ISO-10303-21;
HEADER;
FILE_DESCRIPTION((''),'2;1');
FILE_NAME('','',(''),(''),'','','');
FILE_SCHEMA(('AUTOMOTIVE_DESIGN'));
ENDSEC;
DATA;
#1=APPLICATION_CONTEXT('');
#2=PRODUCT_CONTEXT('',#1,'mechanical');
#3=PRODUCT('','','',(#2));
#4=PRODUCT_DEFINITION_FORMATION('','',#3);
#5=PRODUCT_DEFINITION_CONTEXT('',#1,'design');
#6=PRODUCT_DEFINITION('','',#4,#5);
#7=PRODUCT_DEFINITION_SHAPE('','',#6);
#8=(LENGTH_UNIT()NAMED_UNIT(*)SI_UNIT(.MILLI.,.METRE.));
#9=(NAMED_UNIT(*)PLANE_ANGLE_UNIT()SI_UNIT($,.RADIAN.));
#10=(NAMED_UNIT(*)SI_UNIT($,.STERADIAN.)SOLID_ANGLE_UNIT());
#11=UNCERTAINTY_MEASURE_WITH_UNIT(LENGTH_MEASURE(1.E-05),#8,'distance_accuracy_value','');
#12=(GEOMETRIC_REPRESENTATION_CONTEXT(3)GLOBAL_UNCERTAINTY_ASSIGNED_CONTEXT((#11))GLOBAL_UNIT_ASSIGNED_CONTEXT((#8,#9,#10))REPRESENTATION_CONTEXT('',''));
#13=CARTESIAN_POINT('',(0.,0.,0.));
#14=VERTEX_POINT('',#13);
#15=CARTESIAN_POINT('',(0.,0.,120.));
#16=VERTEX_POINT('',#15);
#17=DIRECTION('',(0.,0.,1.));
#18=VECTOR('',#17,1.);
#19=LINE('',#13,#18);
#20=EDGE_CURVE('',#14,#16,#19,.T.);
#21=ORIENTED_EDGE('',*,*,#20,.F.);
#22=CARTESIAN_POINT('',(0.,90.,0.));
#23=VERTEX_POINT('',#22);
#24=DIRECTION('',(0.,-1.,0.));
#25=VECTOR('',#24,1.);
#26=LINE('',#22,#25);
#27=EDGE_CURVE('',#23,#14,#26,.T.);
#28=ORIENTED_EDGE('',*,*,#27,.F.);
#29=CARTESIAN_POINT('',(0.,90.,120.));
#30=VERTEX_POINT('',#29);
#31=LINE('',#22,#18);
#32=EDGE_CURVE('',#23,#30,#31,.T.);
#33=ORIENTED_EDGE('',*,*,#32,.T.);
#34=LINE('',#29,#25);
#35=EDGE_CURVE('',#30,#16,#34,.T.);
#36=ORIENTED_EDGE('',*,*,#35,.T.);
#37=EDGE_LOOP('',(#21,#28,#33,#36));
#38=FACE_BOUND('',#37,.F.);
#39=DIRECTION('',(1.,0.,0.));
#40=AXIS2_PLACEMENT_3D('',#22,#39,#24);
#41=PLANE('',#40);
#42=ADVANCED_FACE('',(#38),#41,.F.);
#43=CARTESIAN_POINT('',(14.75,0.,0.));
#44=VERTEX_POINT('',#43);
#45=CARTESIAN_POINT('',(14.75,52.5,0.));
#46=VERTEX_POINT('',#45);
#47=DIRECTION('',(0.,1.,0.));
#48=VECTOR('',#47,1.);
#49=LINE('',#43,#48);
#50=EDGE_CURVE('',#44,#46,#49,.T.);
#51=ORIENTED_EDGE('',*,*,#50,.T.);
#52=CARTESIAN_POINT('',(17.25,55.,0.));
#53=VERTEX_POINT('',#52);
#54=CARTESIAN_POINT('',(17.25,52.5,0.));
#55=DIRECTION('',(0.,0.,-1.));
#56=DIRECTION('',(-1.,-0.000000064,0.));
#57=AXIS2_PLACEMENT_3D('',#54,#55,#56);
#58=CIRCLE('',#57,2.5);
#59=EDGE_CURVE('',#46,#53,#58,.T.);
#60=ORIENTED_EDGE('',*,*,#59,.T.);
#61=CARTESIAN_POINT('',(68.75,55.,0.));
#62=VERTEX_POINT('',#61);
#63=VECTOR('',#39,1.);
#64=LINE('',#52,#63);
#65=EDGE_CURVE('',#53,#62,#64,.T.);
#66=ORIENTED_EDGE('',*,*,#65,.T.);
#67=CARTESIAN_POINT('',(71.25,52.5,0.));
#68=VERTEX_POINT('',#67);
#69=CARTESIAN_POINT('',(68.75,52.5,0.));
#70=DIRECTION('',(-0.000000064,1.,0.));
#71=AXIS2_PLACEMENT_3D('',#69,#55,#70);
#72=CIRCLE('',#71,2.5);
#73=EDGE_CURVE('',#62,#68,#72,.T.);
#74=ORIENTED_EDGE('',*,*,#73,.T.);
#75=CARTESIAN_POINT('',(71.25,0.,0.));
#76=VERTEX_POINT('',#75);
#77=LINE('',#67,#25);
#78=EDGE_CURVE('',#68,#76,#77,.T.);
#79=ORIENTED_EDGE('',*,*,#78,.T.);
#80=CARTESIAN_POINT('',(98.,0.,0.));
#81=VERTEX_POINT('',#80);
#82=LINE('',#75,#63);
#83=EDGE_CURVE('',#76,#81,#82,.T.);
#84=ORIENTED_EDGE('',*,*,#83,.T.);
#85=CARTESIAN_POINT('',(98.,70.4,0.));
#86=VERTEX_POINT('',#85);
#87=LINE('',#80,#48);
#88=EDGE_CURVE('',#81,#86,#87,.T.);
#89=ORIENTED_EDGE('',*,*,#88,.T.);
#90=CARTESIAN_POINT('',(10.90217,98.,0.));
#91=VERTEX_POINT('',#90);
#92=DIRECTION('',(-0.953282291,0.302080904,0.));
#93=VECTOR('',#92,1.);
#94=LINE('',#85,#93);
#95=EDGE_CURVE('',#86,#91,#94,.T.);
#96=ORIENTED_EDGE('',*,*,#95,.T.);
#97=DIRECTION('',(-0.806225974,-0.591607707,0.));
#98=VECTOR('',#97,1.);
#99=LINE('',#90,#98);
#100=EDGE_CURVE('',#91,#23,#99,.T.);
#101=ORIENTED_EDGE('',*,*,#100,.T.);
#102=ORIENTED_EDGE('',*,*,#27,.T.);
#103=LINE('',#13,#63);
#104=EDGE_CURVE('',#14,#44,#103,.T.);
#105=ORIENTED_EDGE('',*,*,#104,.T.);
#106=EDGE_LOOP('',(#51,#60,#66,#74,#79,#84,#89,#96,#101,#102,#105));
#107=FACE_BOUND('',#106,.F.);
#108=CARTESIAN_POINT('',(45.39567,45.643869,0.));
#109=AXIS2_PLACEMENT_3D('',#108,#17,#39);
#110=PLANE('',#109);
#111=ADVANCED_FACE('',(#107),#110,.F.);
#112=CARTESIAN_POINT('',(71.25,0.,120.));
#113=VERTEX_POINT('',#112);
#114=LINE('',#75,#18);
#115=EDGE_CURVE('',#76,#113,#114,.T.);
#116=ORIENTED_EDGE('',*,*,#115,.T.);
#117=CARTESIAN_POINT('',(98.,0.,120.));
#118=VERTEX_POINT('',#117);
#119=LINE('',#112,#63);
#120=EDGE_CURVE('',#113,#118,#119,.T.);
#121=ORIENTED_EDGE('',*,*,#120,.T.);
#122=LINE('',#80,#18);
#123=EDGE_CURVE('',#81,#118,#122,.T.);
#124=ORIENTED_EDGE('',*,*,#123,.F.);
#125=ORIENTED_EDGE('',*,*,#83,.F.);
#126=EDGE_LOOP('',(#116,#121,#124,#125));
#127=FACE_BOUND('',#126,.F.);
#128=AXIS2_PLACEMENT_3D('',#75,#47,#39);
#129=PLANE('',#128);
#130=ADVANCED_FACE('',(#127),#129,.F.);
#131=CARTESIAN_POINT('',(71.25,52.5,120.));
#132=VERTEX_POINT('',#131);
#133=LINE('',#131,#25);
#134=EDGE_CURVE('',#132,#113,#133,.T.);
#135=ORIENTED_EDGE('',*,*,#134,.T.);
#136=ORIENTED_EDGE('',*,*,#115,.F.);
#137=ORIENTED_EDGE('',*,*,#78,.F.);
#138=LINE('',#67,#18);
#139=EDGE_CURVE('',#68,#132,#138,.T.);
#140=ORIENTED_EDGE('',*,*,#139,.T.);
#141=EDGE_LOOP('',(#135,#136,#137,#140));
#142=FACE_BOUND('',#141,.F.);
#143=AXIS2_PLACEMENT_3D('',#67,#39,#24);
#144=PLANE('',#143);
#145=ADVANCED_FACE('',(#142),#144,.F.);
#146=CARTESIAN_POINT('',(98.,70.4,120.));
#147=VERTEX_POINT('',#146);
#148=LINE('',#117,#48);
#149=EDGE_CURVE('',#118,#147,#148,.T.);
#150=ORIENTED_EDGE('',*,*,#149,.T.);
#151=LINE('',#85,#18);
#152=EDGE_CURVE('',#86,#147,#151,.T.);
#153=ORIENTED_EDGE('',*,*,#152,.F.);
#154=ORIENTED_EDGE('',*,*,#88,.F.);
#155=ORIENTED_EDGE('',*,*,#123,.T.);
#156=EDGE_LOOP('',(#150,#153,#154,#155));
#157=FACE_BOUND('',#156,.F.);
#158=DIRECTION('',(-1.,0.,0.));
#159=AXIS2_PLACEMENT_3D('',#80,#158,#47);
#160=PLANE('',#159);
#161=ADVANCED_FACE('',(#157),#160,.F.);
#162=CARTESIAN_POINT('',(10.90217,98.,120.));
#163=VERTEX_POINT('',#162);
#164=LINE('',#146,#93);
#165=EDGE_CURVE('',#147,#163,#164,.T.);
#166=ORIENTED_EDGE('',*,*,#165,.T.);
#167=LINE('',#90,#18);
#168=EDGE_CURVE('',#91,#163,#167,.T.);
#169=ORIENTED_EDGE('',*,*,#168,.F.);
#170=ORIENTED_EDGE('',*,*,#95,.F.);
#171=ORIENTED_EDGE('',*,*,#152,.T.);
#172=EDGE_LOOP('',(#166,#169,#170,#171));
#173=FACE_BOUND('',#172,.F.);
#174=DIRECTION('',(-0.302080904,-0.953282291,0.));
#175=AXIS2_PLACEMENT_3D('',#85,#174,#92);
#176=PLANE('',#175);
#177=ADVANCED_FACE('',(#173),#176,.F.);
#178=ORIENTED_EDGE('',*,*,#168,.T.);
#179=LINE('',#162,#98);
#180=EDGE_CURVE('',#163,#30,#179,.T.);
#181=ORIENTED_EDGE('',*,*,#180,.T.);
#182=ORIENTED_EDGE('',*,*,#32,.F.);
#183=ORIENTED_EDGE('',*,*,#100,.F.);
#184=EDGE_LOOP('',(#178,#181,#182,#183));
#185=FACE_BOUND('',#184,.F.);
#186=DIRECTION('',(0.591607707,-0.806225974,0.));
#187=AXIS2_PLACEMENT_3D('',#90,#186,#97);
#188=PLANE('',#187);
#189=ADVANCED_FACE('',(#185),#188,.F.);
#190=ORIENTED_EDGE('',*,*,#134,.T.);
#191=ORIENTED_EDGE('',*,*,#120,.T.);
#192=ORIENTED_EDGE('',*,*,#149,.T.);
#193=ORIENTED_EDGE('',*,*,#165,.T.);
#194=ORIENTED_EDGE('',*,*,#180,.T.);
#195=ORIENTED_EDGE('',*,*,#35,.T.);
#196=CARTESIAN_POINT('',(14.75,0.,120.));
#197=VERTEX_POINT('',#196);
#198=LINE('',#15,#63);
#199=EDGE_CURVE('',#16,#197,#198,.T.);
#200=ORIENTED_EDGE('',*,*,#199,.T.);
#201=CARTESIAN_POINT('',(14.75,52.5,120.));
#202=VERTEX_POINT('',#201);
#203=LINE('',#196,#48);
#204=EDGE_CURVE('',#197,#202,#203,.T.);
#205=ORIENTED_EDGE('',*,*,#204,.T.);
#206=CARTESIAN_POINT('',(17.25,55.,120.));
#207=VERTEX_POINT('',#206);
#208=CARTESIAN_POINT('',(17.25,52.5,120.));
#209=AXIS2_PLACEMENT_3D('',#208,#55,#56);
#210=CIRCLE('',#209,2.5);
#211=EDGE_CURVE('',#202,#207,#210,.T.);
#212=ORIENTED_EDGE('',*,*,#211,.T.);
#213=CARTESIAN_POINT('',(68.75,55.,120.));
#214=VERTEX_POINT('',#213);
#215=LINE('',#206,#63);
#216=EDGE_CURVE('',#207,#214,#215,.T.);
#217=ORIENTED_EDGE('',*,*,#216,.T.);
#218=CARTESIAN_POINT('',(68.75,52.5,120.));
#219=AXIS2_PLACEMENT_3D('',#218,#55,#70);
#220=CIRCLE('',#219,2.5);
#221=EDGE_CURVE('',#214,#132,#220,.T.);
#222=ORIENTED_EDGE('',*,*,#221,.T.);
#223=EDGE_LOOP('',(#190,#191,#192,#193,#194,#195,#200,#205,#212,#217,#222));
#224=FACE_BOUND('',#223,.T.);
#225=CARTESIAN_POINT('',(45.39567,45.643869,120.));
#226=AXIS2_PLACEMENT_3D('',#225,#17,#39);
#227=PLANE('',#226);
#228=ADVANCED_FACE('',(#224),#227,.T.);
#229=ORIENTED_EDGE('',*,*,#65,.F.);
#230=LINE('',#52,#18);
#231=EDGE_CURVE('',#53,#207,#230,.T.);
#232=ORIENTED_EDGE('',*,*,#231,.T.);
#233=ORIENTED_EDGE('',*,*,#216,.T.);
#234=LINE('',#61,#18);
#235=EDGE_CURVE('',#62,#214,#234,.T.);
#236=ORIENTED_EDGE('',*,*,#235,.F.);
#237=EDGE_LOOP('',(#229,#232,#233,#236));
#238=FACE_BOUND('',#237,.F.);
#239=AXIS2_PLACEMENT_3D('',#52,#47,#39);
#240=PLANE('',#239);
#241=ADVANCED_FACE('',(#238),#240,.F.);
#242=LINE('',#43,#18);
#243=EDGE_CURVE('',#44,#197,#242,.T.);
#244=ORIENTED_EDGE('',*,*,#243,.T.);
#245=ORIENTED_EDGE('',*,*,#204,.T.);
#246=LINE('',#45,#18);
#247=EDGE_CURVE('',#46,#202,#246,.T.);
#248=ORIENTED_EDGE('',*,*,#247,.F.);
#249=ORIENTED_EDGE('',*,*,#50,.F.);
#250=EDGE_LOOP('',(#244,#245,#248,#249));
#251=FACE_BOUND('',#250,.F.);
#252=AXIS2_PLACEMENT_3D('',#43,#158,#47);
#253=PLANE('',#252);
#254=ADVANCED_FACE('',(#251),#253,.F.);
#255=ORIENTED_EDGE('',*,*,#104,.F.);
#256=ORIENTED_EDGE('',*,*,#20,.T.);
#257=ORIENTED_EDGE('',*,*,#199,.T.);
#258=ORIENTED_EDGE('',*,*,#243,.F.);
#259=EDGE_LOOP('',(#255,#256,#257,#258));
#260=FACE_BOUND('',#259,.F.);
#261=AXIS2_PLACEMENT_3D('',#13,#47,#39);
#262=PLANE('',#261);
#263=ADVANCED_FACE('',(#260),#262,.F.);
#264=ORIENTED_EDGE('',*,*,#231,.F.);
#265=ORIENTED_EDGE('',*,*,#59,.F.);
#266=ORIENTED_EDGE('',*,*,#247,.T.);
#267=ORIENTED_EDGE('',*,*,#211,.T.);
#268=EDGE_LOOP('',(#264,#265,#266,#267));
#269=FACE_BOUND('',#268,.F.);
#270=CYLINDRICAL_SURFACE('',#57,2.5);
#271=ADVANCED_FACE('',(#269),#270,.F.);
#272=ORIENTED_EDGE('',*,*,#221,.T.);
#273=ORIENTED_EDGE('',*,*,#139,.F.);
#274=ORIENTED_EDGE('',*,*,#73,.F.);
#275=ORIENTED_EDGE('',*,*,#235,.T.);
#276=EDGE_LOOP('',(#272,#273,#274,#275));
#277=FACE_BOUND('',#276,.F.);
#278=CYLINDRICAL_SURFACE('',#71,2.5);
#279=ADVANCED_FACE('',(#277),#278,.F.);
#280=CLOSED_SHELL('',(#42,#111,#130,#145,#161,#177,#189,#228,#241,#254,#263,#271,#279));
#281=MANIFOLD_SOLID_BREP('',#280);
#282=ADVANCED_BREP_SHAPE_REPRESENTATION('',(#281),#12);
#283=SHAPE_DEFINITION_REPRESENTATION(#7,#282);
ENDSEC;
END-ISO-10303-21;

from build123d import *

# Parameters (mm, degrees)
F1_DEPTH = 120


with BuildPart() as f1:
    # F0 (on Top) → F1 (new body)
    with BuildSketch(Plane.XY):
        with BuildLine():
            Line((0, 90), (0, 0))
            Line((0, 0), (14.75, 0))
            Line((14.75, 0), (14.75, 52.5))
            ThreePointArc((14.75, 52.5), (15.482233, 54.267767), (17.25, 55))
            Line((17.25, 55), (68.75, 55))
            ThreePointArc((68.75, 55), (70.517767, 54.267767), (71.25, 52.5))
            Line((71.25, 52.5), (71.25, 0))
            Line((71.25, 0), (98, 0))
            Line((98, 0), (98, 70.4))
            Line((98, 70.4), (10.90217, 98))
            Line((10.90217, 98), (0, 90))
        make_face()
    extrude(amount=F1_DEPTH)


solid = f1.part
